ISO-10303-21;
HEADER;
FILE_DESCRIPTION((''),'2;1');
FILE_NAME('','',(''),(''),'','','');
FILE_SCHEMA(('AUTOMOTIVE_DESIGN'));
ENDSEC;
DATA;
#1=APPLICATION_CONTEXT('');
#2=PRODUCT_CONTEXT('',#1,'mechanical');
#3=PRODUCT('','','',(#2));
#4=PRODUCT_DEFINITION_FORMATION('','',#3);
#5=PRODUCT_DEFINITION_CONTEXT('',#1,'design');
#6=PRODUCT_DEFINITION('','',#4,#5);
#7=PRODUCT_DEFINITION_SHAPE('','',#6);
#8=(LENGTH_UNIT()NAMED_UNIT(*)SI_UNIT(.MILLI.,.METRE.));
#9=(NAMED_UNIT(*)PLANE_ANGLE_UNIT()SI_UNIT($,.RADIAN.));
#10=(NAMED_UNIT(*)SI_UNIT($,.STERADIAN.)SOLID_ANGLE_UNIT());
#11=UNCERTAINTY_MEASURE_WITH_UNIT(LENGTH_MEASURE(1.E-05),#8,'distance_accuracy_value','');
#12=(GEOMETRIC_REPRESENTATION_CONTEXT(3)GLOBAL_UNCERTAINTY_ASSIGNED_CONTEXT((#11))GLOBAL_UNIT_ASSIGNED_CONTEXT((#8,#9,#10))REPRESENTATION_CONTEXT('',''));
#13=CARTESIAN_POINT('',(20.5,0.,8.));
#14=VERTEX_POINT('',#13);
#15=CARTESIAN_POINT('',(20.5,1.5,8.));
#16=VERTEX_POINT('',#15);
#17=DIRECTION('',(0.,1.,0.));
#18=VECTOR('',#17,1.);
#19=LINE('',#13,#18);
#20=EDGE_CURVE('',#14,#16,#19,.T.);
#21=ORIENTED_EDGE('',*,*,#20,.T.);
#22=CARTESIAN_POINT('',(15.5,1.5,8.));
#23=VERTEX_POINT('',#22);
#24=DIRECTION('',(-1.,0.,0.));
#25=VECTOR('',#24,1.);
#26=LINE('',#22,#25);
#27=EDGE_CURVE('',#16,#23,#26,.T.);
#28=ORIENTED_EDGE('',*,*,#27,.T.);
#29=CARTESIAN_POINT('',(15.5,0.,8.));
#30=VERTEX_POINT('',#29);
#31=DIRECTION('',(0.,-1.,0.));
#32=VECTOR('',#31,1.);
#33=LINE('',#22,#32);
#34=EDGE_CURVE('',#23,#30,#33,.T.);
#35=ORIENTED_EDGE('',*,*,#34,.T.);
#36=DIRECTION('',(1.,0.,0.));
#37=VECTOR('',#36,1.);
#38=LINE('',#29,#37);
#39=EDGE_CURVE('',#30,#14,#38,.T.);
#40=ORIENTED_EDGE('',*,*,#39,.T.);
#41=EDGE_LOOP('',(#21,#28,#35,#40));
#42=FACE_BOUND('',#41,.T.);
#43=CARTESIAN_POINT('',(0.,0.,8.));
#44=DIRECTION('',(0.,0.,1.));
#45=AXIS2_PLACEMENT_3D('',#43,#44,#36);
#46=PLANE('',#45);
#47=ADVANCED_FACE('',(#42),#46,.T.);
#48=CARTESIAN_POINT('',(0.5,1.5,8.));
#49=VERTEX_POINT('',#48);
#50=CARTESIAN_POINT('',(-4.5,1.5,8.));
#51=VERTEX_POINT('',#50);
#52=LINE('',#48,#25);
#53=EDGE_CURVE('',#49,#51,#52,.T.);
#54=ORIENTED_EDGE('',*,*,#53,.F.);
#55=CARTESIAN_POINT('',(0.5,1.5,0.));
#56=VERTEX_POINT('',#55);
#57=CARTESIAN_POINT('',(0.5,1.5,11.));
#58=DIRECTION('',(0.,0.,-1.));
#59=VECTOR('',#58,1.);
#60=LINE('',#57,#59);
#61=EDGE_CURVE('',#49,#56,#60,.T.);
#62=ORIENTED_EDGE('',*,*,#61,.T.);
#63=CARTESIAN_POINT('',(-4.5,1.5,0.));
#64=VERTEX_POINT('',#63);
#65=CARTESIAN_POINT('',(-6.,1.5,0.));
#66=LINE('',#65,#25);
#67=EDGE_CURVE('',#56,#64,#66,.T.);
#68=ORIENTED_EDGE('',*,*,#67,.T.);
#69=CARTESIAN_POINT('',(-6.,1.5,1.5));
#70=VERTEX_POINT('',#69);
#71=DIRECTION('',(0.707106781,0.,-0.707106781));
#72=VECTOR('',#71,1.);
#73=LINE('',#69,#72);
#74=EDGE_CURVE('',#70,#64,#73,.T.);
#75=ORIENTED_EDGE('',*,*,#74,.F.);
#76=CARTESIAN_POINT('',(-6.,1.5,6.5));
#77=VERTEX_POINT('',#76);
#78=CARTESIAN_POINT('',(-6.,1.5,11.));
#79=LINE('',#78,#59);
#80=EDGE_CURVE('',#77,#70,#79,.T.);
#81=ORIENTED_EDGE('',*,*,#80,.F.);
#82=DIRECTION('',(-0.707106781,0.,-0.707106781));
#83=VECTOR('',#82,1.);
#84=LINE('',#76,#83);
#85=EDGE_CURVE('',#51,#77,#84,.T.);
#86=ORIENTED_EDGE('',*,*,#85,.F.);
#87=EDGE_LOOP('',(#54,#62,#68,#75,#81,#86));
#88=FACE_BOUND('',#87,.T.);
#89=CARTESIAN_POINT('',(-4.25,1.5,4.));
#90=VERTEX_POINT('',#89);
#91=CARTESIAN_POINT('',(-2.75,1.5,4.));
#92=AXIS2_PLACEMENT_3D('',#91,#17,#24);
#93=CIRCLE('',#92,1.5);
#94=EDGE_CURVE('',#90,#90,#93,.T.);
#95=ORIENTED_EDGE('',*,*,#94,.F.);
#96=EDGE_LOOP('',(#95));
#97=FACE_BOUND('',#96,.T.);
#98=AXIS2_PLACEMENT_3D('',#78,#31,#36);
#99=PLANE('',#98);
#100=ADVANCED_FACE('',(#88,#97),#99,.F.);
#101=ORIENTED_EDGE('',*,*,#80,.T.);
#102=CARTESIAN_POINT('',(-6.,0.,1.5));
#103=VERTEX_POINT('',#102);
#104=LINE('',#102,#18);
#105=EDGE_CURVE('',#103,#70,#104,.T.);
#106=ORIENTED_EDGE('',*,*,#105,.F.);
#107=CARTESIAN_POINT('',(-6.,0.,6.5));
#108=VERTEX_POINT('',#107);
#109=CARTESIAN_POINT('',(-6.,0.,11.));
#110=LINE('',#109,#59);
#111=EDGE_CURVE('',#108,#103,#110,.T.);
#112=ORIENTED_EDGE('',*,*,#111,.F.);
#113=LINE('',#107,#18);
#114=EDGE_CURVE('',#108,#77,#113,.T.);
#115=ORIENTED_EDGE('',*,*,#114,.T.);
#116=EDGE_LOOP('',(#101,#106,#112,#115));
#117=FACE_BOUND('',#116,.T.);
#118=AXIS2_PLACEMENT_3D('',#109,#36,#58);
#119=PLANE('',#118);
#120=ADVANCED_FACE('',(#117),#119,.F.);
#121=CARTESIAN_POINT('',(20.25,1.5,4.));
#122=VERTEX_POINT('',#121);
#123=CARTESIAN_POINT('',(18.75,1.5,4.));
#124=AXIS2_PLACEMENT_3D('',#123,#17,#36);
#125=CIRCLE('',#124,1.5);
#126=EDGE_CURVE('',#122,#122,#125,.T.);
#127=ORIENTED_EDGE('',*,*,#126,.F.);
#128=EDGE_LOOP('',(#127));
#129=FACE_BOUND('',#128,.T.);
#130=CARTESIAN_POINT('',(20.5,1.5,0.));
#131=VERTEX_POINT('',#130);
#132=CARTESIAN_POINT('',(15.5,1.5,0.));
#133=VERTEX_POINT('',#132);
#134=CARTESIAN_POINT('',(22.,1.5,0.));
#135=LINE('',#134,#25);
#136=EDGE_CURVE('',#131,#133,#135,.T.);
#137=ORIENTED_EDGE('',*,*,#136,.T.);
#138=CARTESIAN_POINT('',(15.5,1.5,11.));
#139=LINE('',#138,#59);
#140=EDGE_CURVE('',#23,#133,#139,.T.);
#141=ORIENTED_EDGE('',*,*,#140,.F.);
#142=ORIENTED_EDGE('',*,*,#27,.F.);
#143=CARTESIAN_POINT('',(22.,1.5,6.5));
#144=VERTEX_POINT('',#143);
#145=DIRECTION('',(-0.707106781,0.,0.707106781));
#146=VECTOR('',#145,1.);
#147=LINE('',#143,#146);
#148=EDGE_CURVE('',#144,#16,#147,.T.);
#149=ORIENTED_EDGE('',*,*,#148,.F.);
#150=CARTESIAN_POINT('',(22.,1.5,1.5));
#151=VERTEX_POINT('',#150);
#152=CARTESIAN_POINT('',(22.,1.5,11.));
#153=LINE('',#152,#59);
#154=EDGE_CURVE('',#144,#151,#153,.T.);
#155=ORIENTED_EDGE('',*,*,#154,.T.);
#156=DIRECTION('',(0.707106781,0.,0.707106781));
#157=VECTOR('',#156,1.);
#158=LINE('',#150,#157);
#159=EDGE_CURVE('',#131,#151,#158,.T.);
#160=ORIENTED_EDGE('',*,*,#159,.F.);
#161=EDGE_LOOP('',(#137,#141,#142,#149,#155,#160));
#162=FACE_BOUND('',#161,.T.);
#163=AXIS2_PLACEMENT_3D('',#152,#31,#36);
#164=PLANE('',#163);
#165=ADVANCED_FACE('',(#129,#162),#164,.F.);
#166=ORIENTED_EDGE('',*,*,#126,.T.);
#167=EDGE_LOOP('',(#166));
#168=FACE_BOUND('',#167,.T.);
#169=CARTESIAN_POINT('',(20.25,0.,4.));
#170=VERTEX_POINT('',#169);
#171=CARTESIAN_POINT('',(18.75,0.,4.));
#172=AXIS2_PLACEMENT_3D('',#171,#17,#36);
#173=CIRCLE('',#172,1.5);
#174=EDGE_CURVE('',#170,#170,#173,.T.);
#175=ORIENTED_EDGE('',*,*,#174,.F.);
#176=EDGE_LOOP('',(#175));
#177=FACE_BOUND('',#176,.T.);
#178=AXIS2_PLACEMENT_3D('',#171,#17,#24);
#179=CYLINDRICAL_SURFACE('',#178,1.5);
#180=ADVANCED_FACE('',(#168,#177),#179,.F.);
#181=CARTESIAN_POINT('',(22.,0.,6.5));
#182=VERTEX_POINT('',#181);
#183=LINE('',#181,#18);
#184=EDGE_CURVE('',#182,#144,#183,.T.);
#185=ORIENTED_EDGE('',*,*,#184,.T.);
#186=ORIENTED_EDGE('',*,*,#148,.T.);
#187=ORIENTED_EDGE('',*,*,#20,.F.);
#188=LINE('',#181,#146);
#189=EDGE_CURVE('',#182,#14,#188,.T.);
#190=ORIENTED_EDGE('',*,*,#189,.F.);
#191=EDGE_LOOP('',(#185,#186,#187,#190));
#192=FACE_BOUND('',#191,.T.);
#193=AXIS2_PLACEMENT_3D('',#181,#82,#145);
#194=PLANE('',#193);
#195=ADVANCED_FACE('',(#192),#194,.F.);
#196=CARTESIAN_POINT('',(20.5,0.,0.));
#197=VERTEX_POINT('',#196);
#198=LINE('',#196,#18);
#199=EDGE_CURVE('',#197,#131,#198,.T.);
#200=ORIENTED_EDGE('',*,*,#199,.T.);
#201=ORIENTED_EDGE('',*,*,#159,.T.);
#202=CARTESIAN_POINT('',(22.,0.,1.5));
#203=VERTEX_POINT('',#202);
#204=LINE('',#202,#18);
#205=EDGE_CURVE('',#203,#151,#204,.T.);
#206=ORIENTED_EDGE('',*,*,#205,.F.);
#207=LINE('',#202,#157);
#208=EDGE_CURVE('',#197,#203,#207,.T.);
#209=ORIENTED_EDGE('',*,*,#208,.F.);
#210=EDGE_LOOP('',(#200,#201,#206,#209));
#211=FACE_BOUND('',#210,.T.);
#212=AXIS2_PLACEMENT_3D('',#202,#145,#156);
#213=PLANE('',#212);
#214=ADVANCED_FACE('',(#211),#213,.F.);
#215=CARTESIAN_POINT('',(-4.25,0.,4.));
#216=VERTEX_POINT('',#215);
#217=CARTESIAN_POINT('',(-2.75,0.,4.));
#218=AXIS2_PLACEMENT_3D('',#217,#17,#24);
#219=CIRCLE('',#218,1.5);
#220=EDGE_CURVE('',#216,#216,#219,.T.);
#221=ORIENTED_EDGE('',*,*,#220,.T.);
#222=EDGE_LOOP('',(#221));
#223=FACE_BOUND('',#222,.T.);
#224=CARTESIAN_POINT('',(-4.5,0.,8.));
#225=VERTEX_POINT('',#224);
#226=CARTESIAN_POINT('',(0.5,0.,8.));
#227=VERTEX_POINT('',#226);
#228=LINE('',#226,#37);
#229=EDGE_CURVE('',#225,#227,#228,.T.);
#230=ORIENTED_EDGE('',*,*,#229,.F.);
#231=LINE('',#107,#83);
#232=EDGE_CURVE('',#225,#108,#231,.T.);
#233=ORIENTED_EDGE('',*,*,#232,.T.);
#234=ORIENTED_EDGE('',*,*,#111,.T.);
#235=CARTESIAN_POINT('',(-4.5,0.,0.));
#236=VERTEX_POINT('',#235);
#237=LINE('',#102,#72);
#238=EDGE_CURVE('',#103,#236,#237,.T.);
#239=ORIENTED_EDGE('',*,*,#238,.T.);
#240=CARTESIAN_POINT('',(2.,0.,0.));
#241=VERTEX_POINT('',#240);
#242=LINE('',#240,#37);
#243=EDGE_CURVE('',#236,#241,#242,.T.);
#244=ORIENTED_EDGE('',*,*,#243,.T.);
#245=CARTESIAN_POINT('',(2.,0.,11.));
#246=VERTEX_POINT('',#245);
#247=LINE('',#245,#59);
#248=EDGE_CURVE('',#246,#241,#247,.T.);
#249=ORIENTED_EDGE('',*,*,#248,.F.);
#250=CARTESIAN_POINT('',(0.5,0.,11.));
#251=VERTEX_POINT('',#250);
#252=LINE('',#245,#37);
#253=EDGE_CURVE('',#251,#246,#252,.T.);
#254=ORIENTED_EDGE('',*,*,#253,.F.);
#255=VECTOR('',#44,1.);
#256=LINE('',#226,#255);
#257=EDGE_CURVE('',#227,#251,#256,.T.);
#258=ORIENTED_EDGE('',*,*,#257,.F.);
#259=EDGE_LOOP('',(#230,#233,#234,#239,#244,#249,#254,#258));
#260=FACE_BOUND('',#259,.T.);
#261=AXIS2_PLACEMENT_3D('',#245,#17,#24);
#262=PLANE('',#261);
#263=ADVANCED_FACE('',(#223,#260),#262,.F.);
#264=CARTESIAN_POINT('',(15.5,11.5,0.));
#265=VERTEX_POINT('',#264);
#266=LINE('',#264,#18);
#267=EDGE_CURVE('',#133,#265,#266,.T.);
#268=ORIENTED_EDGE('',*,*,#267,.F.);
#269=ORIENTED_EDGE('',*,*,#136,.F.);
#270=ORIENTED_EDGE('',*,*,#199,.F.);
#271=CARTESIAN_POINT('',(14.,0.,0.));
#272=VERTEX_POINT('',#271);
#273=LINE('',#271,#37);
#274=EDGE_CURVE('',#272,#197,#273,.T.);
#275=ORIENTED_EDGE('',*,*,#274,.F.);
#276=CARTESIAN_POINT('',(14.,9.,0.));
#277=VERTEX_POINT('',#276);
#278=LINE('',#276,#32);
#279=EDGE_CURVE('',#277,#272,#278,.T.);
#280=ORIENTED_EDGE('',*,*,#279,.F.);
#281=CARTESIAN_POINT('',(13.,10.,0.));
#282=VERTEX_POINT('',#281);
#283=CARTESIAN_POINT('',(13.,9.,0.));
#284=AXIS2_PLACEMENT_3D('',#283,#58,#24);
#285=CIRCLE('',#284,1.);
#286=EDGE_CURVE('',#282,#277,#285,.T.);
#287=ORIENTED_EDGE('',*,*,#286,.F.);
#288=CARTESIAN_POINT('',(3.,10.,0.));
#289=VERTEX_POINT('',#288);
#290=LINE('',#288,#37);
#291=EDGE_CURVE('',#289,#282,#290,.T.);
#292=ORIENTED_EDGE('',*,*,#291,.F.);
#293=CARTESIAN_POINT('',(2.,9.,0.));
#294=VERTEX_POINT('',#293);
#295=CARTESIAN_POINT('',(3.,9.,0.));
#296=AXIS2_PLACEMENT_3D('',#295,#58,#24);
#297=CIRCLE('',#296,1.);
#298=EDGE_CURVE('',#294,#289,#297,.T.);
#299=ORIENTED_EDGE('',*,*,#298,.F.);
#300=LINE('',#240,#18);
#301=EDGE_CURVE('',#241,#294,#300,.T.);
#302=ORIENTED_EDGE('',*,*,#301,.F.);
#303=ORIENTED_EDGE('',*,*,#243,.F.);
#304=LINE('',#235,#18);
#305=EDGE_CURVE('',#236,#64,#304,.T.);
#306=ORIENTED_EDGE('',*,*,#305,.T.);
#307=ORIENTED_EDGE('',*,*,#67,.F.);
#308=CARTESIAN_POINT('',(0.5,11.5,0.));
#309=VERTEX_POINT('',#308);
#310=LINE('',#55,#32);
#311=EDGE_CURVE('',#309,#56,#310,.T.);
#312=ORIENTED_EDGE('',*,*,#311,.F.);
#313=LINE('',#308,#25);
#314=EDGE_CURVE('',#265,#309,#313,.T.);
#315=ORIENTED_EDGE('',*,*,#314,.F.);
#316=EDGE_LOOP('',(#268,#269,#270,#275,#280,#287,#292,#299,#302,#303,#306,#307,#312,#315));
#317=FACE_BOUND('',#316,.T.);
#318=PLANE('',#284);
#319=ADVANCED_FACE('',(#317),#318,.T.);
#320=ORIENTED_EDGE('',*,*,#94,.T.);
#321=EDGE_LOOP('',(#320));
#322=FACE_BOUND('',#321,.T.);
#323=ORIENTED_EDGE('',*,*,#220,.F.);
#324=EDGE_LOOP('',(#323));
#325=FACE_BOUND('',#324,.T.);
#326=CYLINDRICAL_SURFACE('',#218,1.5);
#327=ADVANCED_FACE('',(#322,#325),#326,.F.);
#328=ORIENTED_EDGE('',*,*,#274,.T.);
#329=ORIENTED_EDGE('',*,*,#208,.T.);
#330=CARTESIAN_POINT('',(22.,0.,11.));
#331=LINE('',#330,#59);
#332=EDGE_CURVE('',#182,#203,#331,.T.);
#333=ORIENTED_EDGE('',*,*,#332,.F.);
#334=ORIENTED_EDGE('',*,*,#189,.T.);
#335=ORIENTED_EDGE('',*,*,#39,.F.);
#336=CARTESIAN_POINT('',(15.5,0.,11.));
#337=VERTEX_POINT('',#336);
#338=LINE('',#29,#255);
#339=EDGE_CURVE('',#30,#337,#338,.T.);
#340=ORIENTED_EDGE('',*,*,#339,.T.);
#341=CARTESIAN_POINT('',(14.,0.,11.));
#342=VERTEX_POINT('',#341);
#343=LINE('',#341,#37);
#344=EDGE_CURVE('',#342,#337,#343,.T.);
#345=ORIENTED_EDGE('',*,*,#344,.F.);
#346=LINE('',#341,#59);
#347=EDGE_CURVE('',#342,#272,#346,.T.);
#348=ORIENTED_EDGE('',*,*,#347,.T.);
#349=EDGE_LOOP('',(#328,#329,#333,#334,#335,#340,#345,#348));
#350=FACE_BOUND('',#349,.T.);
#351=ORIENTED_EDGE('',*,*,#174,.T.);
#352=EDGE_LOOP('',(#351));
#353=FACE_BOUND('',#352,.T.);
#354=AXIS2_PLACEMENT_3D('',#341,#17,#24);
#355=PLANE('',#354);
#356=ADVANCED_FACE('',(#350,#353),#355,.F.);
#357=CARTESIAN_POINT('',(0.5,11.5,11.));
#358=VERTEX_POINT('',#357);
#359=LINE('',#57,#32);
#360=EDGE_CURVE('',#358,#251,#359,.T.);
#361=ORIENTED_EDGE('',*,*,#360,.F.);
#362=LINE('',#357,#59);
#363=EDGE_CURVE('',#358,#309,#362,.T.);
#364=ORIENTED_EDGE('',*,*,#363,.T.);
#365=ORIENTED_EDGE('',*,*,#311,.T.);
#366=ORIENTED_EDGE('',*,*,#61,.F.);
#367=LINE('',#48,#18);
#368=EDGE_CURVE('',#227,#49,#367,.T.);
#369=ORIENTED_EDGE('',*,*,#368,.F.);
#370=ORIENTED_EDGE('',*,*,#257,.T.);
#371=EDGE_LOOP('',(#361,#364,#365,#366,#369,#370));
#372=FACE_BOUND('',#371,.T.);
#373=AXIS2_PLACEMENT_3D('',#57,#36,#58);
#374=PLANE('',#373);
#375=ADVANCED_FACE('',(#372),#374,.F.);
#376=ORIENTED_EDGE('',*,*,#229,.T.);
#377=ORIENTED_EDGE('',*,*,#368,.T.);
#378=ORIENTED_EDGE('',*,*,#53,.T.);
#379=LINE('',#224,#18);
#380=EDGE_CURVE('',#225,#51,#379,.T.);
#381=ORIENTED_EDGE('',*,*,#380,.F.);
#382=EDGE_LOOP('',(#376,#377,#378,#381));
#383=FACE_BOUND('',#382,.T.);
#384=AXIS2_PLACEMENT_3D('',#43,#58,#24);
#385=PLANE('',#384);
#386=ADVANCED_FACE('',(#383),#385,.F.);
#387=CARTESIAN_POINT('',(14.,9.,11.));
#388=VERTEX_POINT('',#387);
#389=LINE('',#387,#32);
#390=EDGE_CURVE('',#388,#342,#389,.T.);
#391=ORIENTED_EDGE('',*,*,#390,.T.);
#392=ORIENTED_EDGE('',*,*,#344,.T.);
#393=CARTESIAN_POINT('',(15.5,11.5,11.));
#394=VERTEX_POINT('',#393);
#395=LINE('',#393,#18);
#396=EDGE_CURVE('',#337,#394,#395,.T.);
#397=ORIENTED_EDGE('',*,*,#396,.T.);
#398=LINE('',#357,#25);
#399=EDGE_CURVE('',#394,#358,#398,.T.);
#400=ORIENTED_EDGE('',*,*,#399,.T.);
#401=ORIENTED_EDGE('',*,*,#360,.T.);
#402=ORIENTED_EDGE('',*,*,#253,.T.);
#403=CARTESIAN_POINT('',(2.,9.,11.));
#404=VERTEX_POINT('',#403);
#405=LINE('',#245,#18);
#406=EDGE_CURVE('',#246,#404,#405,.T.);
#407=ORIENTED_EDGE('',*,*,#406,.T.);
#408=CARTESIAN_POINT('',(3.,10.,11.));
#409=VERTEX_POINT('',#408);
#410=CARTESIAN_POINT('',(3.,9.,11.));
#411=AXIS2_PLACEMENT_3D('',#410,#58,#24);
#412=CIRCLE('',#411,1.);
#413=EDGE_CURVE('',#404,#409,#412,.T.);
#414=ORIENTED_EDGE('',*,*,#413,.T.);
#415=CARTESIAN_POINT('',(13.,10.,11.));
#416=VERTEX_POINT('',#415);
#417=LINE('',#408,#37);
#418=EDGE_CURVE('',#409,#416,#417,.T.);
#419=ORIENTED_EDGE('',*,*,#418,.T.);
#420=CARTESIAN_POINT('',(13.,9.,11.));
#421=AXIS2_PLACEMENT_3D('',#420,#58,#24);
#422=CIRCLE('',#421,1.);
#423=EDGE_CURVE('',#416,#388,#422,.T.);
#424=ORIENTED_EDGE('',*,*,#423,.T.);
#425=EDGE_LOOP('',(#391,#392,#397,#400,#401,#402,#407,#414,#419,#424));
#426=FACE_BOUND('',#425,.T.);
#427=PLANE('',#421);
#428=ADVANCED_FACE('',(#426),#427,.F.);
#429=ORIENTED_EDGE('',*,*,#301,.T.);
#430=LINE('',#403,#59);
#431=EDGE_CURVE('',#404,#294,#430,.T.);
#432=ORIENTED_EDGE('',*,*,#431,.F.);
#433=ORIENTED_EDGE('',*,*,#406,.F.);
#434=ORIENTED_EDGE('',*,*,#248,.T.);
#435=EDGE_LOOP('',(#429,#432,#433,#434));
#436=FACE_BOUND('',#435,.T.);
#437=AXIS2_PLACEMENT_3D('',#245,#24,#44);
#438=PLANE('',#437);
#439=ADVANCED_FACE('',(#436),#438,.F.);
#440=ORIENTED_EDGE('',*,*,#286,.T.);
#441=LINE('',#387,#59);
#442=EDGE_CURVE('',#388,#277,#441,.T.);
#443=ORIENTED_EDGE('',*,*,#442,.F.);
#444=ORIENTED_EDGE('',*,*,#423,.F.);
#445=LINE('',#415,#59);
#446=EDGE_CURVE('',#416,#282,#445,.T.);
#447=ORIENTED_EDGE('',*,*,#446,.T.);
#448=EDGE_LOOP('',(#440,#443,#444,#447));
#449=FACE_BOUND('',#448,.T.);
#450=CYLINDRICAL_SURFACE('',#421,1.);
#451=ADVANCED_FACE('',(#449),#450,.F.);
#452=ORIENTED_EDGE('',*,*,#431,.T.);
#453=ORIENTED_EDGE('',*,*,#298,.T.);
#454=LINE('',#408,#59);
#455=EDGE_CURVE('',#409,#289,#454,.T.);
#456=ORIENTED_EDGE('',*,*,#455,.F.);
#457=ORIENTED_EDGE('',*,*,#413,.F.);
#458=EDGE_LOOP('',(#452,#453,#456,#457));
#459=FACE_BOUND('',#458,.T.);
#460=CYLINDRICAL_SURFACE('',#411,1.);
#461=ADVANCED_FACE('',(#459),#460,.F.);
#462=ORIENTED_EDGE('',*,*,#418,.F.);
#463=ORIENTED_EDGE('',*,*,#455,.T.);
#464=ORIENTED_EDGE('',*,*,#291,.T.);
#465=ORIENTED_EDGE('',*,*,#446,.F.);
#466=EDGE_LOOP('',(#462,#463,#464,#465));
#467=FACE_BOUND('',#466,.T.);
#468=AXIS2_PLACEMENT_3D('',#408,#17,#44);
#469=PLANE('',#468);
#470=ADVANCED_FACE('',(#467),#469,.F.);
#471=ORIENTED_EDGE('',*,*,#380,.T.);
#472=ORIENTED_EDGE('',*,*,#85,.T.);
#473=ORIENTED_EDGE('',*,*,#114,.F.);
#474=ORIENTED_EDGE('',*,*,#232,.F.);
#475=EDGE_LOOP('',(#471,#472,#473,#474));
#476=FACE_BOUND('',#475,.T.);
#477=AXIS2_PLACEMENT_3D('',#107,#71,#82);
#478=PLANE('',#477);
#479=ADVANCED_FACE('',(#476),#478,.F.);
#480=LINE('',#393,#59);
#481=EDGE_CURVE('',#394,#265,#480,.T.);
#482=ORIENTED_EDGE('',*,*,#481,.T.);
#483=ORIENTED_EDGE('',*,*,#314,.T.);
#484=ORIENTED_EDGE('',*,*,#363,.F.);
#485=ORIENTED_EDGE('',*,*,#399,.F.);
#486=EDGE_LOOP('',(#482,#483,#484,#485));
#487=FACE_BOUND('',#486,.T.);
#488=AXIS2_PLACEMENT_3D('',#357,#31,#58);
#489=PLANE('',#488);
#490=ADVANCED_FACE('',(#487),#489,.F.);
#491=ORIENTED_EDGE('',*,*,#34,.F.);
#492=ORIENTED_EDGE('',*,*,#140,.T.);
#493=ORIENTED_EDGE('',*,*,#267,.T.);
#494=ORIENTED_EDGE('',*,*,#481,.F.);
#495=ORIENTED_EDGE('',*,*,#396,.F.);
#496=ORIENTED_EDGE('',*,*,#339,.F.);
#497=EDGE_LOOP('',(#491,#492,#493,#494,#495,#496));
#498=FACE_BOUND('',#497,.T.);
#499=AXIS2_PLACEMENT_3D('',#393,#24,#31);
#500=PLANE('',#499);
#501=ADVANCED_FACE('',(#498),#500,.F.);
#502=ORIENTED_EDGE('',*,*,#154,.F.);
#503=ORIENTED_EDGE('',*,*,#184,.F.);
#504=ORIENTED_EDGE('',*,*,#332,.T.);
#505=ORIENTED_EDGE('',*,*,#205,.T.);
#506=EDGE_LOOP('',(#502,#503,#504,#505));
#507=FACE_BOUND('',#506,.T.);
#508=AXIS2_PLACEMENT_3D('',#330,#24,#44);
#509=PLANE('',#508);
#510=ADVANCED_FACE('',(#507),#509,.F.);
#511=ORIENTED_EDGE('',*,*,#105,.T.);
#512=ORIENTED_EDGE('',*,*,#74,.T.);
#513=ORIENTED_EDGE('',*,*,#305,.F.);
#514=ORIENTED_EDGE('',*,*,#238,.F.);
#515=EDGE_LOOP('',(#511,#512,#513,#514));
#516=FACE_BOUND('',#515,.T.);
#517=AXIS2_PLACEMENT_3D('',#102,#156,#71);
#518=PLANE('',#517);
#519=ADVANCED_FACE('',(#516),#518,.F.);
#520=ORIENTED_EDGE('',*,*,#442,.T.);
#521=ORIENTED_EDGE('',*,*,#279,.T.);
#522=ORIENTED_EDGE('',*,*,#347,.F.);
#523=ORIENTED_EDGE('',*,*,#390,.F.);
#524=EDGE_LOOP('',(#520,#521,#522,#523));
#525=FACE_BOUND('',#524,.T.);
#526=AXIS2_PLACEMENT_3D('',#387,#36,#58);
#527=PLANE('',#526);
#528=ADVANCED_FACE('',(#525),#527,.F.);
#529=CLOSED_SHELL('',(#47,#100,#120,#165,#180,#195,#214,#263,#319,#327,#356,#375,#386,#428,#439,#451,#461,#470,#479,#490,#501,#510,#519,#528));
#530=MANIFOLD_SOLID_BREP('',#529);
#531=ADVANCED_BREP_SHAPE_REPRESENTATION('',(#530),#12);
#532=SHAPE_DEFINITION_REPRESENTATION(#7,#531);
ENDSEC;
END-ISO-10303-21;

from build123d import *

# Parameters (mm, degrees)
BOSS_EXTRUDE1_DEPTH = 11
SKETCH3_W           = 6.5
SKETCH3_H           = 1.5
CUT_EXTRUDE5_DEPTH  = 3
SKETCH6_R           = 1.5
CUT_EXTRUDE7_DEPTH  = 27.551836095


with BuildPart() as part:
    # Sketch1 → Boss-Extrude1 (new body)
    with BuildSketch(Plane.XY):
        with BuildLine():
            Line((0.5, 1.5), (0.5, 11.5))
            Line((0.5, 11.5), (15.5, 11.5))
            Line((15.5, 11.5), (15.5, 1.5))
            Line((15.5, 1.5), (22, 1.5))
            Line((22, 1.5), (22, 0))
            Line((22, 0), (14, 0))
            Line((14, 0), (14, 9))
            ThreePointArc((14, 9), (13.707106781, 9.707106781), (13, 10))
            Line((13, 10), (3, 10))
            ThreePointArc((3, 10), (2.292893219, 9.707106781), (2, 9))
            Line((2, 9), (2, 0))
            Line((2, 0), (-6, 0))
            Line((-6, 0), (-6, 1.5))
            Line((-6, 1.5), (0.5, 1.5))
        make_face()
    extrude(amount=BOSS_EXTRUDE1_DEPTH)

    # Sketch3 → Cut-Extrude5 (cut)
    with BuildSketch(Plane.XY.offset(11)):
        with Locations((-2.75, 0.75)):
            Rectangle(SKETCH3_W, SKETCH3_H)
        with Locations((18.75, 0.75)):
            Rectangle(SKETCH3_W, SKETCH3_H)
    extrude(amount=-CUT_EXTRUDE5_DEPTH, mode=Mode.SUBTRACT)

    # Sketch6 → Cut-Extrude7 (cut, through all)
    with BuildSketch(Plane(origin=(0, 1.5, 0), x_dir=(1, 0, 0), z_dir=(0, 1, 0))):
        with Locations(Location((-2.75, -4, 0), (0, 0, 180))):
            Circle(SKETCH6_R)
        with Locations((18.75, -4)):
            Circle(SKETCH6_R)
        Polygon((-6, -1.5), (-4.5, 0), (-6, 0), align=None)
        Polygon((20.5, 0), (22, 0), (22, -1.5), align=None)
        Polygon((22, -6.5), (20.5, -8), (22, -8), align=None)
        Polygon((-4.5, -8), (-6, -8), (-6, -6.5), align=None)
    extrude(amount=-CUT_EXTRUDE7_DEPTH, mode=Mode.SUBTRACT)


solid = part.part
